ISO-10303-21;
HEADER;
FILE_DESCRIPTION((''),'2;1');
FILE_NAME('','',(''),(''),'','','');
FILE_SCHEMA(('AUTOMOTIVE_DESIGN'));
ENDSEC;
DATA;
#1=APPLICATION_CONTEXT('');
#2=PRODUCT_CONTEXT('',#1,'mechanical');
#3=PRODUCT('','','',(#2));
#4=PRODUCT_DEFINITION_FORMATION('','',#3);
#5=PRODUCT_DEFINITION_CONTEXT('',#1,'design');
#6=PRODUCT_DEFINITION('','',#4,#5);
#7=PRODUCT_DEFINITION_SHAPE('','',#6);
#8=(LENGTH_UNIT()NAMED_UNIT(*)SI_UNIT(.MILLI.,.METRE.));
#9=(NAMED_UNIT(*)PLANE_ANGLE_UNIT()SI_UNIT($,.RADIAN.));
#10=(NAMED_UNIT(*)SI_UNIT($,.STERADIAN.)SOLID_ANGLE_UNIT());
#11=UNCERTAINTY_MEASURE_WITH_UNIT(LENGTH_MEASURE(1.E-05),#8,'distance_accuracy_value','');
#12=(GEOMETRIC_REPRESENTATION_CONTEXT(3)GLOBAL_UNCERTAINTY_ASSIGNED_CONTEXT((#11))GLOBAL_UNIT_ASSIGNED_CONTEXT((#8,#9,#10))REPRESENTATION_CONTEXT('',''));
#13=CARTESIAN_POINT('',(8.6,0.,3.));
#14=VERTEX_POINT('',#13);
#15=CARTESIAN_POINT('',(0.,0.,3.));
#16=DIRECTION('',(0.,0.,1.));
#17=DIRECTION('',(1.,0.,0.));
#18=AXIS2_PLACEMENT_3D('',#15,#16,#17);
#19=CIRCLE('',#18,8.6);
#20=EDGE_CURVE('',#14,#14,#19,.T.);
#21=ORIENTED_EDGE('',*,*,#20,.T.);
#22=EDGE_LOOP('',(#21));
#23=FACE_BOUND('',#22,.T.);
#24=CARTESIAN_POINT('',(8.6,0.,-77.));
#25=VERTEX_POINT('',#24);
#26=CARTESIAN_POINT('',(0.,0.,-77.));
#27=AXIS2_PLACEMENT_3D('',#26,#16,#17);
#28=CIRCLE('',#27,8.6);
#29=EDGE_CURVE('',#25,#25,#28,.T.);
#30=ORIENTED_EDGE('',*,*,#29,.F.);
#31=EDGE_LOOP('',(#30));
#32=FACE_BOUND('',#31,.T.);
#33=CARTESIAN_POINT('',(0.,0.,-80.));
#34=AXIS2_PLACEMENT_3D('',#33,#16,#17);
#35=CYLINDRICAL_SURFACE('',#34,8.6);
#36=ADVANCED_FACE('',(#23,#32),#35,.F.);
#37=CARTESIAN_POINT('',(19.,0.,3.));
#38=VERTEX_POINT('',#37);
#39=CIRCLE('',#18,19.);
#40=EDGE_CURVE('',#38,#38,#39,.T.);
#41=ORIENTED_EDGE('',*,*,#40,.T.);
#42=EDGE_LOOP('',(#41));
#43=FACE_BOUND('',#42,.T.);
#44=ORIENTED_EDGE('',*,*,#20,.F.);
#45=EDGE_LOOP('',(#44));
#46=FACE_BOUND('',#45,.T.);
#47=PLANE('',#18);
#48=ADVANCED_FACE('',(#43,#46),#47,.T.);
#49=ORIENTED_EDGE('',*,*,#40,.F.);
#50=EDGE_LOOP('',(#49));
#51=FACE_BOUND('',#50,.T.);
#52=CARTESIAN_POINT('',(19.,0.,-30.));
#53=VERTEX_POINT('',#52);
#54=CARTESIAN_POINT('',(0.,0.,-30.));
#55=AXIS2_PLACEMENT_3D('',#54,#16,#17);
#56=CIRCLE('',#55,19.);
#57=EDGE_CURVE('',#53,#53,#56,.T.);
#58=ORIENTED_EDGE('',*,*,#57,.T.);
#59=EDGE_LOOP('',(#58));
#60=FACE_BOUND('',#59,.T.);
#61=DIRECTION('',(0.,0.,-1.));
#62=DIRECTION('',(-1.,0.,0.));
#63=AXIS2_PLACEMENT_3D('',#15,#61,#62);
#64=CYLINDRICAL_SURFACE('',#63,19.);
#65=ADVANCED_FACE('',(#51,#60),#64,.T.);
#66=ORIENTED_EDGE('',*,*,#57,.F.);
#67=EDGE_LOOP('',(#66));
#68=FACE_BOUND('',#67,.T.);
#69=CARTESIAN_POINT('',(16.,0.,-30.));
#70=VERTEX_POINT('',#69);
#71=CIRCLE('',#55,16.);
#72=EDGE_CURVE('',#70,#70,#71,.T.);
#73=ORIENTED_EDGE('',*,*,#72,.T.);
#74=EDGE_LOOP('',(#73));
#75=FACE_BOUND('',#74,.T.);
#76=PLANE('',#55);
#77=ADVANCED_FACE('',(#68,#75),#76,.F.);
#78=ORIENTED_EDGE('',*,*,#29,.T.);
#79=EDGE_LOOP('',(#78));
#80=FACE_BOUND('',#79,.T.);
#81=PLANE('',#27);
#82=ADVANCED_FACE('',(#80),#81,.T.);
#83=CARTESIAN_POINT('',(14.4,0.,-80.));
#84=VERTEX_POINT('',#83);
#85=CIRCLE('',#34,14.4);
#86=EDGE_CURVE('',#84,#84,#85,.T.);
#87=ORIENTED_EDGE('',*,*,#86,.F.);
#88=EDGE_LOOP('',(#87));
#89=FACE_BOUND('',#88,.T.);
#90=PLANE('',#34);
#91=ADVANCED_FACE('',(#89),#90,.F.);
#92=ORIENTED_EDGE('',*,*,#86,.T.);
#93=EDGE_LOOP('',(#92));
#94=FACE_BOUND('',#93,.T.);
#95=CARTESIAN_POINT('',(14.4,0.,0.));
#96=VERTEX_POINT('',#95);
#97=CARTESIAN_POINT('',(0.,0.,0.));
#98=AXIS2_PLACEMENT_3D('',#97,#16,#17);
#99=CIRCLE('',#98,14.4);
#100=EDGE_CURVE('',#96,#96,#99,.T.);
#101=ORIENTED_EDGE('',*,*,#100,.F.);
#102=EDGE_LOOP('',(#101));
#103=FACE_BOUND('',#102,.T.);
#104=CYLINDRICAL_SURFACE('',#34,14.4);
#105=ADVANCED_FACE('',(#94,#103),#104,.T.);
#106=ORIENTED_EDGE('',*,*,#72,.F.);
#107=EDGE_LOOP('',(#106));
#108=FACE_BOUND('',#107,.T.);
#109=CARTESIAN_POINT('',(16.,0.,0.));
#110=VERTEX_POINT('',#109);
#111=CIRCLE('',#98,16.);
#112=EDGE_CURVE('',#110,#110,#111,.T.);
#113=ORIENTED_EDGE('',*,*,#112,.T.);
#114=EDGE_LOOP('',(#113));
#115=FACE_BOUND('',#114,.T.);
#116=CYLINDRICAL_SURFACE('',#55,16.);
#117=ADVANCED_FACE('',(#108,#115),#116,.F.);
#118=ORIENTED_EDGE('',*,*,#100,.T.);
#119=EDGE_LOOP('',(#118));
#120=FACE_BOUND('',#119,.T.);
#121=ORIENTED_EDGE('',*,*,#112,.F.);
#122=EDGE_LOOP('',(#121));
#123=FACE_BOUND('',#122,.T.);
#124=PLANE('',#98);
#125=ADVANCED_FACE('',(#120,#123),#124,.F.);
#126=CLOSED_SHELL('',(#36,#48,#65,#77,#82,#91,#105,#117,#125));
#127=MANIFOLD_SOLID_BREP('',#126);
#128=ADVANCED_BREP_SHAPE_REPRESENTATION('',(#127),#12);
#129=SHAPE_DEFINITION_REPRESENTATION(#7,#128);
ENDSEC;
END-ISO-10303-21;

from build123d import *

# Parameters (mm, degrees)
SKETCH_1_R      = 14.4
SKETCH_1_R_2    = 8.6
EXTRUDE_1_DEPTH = 80
EXTRUDE_START   = 3
SKETCH_1_3_R    = 19
SKETCH_1_3_R_2  = 16
SKETCH_1_3_R_3  = 14.4
SKETCH_1_3_R_4  = 8.6
EXTRUDE_2_DEPTH = 3
SKETCH_1_5_R    = 19
SKETCH_1_5_R_2  = 16
EXTRUDE_3_DEPTH = 30
EXTRUDE_START_2 = -77
SKETCH_1_6_R    = 8.6
EXTRUDE_4_DEPTH = 3


with BuildPart() as part:
    # Эскиз1 → Бобышка-Вытянуть1 (new body)
    with BuildSketch(Plane.XY):
        Circle(SKETCH_1_R)
        Circle(SKETCH_1_R_2, mode=Mode.SUBTRACT)
    extrude(amount=-EXTRUDE_1_DEPTH)

    # Эскиз1<3> → Бобышка-Вытянуть2 (add)
    # profile 1 of 3: a face of its own
    with BuildSketch(Plane.XY.offset(EXTRUDE_START)):
        Circle(SKETCH_1_3_R)
        Circle(SKETCH_1_3_R_2, mode=Mode.SUBTRACT)
    # profile 2 of 3: a face of its own
    with BuildSketch(Plane.XY.offset(EXTRUDE_START)):
        Circle(SKETCH_1_3_R_2)
        Circle(SKETCH_1_3_R_3, mode=Mode.SUBTRACT)
    # profile 3 of 3: a face of its own
    with BuildSketch(Plane.XY.offset(EXTRUDE_START)):
        Circle(SKETCH_1_3_R_3)
        Circle(SKETCH_1_3_R_4, mode=Mode.SUBTRACT)
    extrude(amount=-EXTRUDE_2_DEPTH)

    # Эскиз1<5> → Бобышка-Вытянуть3 (add)
    with BuildSketch(Plane.XY):
        Circle(SKETCH_1_5_R)
        Circle(SKETCH_1_5_R_2, mode=Mode.SUBTRACT)
    extrude(amount=-EXTRUDE_3_DEPTH)

    # Эскиз1<6> → Бобышка-Вытянуть4 (add)
    with BuildSketch(Plane.XY.offset(EXTRUDE_START_2)):
        Circle(SKETCH_1_6_R)
    extrude(amount=-EXTRUDE_4_DEPTH)


solid = part.part
